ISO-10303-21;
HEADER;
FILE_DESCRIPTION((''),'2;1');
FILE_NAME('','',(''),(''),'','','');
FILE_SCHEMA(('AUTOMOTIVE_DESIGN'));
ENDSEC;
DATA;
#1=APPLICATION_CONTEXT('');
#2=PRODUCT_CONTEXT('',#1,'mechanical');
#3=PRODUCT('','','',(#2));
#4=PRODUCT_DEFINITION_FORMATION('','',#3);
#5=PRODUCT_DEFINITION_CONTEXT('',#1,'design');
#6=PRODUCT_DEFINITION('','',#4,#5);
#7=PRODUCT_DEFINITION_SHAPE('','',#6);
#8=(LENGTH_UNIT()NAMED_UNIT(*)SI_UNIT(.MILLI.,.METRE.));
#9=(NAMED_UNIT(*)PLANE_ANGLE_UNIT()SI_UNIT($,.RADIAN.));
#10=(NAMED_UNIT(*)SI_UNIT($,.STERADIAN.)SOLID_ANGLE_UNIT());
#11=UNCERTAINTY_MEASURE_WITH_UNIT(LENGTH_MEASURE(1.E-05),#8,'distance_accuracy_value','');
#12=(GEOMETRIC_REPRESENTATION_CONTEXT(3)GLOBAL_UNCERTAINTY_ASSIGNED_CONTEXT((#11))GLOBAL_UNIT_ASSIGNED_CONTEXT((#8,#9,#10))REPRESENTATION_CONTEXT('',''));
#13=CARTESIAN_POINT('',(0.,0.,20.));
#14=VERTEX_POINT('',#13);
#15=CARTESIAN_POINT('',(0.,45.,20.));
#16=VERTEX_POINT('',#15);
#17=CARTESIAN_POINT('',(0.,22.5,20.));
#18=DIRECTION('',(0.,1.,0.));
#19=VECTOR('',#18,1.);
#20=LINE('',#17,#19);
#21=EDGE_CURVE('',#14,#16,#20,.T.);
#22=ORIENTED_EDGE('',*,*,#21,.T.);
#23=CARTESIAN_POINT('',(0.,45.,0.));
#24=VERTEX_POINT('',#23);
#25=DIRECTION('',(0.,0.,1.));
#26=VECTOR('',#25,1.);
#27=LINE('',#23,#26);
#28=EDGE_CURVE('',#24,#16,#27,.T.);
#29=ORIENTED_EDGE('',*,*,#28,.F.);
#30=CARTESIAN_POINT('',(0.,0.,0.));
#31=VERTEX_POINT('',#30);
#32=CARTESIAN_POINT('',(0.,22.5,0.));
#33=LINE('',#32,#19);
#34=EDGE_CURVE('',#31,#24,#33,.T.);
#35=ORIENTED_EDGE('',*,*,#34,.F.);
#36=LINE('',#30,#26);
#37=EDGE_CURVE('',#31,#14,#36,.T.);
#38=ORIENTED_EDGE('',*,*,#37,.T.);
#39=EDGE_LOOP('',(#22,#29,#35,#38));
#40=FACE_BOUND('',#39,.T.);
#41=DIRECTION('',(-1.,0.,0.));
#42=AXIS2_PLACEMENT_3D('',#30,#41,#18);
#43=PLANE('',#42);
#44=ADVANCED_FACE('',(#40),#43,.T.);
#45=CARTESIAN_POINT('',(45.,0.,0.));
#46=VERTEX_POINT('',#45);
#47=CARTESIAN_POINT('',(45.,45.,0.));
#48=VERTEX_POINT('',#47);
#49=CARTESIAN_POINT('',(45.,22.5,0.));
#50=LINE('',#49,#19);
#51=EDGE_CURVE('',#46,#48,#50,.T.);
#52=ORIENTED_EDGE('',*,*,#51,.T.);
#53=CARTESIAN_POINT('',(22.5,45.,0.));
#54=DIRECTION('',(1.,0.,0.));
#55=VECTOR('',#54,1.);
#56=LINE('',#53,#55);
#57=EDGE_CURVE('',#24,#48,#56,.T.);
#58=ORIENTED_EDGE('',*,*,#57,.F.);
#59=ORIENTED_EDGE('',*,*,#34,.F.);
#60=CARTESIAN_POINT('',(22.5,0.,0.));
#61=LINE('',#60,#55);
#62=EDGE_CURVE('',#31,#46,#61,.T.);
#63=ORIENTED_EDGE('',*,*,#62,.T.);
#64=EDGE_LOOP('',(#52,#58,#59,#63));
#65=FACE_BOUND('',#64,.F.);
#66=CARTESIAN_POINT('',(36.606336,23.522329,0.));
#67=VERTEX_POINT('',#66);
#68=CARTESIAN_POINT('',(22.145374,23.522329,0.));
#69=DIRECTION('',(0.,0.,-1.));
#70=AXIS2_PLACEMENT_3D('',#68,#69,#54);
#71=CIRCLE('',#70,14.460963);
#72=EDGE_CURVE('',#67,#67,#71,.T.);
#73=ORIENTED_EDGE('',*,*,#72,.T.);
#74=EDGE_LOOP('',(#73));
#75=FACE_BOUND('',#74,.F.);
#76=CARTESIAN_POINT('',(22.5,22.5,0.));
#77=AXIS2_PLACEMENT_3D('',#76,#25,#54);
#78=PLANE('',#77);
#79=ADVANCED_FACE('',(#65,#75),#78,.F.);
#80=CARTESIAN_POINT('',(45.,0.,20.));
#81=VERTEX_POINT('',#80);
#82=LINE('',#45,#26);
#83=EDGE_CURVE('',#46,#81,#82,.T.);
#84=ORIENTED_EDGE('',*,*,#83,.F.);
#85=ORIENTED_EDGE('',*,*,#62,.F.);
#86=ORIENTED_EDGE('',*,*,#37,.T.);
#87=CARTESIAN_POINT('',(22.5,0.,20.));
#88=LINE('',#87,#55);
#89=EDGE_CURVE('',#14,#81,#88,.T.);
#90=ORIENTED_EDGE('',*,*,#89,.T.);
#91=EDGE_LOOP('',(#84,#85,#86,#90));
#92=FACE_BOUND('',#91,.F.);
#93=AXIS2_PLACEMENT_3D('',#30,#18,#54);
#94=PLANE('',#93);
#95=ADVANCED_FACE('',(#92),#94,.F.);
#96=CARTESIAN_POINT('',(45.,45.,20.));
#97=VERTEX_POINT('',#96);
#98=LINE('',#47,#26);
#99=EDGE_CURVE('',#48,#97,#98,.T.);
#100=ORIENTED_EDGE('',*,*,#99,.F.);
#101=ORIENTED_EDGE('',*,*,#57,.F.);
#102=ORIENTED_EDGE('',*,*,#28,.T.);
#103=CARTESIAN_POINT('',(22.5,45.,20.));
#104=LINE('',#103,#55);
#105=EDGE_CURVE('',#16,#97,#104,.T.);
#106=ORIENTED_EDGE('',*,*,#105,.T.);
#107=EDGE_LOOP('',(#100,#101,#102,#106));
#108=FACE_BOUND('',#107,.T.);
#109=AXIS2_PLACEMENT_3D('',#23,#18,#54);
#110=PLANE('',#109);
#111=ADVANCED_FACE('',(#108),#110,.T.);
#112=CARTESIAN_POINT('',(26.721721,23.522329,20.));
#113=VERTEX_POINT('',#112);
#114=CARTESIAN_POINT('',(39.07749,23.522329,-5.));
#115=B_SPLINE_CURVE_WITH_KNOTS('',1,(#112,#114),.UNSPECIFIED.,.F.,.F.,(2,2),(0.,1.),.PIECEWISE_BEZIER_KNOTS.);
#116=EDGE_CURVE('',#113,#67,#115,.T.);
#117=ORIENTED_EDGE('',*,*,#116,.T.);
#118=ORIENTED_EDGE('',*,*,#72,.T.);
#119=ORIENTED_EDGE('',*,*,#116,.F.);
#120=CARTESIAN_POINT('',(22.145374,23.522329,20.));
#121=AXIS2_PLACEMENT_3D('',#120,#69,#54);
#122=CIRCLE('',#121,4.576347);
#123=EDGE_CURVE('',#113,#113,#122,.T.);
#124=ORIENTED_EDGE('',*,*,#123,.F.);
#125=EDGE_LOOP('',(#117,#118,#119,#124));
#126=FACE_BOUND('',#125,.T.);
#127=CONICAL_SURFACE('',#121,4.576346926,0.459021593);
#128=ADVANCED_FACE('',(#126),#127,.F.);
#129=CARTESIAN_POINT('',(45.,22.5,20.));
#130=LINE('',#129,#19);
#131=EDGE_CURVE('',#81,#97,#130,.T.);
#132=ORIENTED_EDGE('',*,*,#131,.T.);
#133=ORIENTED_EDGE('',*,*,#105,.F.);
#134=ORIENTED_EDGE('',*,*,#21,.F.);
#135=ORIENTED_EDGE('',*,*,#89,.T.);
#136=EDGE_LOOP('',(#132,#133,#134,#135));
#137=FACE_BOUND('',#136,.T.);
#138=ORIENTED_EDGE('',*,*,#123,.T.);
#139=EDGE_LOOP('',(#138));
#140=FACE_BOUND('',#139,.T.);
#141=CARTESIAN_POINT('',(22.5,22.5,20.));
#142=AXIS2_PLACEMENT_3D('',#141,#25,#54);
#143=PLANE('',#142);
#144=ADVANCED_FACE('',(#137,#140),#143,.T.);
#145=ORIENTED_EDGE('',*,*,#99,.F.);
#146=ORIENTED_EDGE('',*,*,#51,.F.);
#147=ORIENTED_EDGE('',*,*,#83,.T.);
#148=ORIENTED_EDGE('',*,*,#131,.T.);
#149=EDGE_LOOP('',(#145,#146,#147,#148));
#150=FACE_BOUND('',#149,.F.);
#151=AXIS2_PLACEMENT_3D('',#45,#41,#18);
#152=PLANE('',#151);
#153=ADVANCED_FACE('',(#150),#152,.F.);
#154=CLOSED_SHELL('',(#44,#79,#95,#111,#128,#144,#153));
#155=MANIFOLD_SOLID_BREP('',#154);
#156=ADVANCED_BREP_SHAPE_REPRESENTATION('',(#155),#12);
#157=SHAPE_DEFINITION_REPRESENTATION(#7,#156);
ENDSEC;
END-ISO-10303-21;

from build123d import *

# Parameters (mm, degrees)
F0_W     = 45
F0_H     = 45
F1_DEPTH = 20
F2_R     = 4.5763469256
F3_DEPTH = 25
F3_TAPER = -26.3


with BuildPart() as f1:
    # F0 (on Top) → F1 (new body)
    with BuildSketch(Plane.XY):
        with Locations((22.5, 22.5)):
            Rectangle(F0_W, F0_H)
    extrude(amount=F1_DEPTH)

    # F2 (on face) → F3 (cut)
    with BuildSketch(Plane.XY.offset(20)):
        with Locations((22.1453737468, 23.5223285854)):
            Circle(F2_R)
    extrude(amount=-F3_DEPTH, taper=F3_TAPER, mode=Mode.SUBTRACT)


solid = f1.part
